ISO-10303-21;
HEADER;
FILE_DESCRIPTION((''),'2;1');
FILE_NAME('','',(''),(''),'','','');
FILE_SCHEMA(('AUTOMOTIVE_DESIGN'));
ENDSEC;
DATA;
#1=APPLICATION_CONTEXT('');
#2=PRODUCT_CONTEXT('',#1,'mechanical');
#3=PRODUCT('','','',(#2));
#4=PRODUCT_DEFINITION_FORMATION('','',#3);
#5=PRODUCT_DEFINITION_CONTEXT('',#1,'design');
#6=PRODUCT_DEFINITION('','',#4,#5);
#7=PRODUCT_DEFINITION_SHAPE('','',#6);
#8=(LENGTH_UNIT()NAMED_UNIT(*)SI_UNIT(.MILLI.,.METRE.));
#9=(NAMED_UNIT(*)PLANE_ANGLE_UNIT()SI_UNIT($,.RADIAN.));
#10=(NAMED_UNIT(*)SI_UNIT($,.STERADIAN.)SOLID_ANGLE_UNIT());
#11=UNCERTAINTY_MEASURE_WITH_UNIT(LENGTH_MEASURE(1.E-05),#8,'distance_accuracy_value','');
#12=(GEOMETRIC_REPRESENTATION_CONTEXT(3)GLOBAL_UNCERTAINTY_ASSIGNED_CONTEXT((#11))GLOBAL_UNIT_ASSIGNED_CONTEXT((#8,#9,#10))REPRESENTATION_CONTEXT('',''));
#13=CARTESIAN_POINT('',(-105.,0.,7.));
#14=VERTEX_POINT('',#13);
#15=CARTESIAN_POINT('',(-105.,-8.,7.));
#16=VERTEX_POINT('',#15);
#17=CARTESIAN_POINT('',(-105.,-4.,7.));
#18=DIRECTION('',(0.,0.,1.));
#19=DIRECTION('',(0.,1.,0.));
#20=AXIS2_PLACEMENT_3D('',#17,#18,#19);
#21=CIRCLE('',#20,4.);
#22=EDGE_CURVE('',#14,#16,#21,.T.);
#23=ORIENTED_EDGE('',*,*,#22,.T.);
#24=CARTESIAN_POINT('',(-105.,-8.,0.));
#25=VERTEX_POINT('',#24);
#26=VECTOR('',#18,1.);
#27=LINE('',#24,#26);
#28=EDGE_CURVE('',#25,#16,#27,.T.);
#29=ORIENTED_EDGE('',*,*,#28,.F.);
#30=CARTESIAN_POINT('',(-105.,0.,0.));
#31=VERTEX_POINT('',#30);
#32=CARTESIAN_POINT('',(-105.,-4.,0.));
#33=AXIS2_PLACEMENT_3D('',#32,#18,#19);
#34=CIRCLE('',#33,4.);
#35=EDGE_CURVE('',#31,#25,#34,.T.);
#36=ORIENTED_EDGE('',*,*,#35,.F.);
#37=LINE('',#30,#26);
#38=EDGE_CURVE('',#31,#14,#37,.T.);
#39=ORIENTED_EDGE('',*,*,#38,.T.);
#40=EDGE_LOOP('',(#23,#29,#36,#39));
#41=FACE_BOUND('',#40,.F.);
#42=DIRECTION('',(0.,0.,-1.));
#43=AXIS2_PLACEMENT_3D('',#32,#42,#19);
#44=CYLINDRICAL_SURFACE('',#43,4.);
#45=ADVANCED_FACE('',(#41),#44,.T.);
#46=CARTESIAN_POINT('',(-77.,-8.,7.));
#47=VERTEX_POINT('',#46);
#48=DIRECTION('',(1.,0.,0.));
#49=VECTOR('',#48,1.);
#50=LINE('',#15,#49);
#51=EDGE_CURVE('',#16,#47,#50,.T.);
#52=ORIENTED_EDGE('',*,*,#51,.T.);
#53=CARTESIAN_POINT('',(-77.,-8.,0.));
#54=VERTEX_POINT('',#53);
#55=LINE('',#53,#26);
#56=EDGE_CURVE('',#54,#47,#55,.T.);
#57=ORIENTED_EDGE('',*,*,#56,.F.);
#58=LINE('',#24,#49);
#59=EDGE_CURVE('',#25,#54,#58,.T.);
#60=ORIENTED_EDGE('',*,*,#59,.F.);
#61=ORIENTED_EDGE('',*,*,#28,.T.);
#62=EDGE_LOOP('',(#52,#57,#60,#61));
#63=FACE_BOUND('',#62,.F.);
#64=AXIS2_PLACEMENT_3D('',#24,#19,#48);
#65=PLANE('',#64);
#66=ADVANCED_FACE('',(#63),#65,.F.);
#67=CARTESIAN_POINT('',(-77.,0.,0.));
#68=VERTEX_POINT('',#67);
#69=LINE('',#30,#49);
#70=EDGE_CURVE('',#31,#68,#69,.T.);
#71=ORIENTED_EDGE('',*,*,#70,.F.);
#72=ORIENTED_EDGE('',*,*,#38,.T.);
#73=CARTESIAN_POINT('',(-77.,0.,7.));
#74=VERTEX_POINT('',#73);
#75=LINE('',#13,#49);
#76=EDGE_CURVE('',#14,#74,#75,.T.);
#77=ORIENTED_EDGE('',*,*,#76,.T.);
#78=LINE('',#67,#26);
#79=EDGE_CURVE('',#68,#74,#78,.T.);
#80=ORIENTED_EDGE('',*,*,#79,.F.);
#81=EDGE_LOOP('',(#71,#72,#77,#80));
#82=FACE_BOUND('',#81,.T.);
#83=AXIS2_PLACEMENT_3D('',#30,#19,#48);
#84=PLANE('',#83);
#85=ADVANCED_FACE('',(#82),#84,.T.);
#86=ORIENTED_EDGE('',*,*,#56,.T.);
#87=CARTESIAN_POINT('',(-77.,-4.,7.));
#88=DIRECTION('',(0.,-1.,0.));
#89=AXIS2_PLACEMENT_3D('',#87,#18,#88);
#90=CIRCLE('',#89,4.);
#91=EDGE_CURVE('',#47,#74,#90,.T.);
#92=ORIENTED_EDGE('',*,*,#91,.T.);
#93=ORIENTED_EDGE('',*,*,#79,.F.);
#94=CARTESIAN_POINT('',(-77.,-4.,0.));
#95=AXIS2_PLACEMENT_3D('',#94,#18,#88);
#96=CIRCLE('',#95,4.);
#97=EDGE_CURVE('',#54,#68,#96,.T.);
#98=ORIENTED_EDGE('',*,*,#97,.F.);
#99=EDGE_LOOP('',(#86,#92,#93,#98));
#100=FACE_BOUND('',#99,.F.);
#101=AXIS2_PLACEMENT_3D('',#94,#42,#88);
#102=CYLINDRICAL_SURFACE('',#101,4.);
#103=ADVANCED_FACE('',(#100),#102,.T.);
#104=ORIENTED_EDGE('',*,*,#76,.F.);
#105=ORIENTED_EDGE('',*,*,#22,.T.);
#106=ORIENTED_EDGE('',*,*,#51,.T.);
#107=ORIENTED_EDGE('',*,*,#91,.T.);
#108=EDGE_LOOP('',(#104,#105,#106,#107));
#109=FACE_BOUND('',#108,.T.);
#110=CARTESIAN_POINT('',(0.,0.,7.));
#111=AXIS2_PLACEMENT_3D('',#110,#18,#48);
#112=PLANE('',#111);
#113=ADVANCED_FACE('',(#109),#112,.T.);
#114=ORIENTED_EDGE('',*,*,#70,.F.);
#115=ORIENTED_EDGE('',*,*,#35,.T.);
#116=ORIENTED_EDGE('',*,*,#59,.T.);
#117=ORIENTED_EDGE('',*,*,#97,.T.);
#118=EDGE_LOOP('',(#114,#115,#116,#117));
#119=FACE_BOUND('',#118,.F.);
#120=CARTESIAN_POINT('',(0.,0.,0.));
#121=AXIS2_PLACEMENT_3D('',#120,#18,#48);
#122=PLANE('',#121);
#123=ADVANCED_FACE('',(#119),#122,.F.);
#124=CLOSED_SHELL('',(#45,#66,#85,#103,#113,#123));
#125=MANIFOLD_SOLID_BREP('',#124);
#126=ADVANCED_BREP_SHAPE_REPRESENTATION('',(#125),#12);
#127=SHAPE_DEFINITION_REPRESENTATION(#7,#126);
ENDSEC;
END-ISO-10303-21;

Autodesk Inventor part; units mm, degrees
ref_plane "YZ Plane" through (0, 0, 0) normal (1, 0, 0) x (0, 1, 0)
ref_plane "XZ Plane" through (0, 0, 0) normal (0, 1, 0) x (-1, 0, 0)
ref_plane "XY Plane" through (0, 0, 0) normal (0, 0, 1) x (1, 0, 0)
sketch "草图1" plane through (0, 0, 0) normal (0, 0, 1) x (1, 0, 0)
  line L0 (-105, 0) -> (-77, 0) projected
  arc A0 (-105, 0) -> (-105, -8) centre (-105, -4) ccw projected
  line L1 (-105, -8) -> (-77, -8) projected
  arc A1 (-77, -8) -> (-77, 0) centre (-77, -4) ccw projected
  line L2 (-105, -4) -> (-77, -4) construction
  line L3 (-105, -8) -> (-77, -8)
  line L4 (-77, 0) -> (-105, 0)
  arc A2 (-105, 0) -> (-105, -8) centre (-105, -4) ccw
  arc A3 (-77, -8) -> (-77, 0) centre (-77, -4) ccw
  point P0 (0, 0)
  point P1 (-91, -4)
extrude "拉伸1" add sketch "草图1" along normal blind 7
properties part number "key1"
